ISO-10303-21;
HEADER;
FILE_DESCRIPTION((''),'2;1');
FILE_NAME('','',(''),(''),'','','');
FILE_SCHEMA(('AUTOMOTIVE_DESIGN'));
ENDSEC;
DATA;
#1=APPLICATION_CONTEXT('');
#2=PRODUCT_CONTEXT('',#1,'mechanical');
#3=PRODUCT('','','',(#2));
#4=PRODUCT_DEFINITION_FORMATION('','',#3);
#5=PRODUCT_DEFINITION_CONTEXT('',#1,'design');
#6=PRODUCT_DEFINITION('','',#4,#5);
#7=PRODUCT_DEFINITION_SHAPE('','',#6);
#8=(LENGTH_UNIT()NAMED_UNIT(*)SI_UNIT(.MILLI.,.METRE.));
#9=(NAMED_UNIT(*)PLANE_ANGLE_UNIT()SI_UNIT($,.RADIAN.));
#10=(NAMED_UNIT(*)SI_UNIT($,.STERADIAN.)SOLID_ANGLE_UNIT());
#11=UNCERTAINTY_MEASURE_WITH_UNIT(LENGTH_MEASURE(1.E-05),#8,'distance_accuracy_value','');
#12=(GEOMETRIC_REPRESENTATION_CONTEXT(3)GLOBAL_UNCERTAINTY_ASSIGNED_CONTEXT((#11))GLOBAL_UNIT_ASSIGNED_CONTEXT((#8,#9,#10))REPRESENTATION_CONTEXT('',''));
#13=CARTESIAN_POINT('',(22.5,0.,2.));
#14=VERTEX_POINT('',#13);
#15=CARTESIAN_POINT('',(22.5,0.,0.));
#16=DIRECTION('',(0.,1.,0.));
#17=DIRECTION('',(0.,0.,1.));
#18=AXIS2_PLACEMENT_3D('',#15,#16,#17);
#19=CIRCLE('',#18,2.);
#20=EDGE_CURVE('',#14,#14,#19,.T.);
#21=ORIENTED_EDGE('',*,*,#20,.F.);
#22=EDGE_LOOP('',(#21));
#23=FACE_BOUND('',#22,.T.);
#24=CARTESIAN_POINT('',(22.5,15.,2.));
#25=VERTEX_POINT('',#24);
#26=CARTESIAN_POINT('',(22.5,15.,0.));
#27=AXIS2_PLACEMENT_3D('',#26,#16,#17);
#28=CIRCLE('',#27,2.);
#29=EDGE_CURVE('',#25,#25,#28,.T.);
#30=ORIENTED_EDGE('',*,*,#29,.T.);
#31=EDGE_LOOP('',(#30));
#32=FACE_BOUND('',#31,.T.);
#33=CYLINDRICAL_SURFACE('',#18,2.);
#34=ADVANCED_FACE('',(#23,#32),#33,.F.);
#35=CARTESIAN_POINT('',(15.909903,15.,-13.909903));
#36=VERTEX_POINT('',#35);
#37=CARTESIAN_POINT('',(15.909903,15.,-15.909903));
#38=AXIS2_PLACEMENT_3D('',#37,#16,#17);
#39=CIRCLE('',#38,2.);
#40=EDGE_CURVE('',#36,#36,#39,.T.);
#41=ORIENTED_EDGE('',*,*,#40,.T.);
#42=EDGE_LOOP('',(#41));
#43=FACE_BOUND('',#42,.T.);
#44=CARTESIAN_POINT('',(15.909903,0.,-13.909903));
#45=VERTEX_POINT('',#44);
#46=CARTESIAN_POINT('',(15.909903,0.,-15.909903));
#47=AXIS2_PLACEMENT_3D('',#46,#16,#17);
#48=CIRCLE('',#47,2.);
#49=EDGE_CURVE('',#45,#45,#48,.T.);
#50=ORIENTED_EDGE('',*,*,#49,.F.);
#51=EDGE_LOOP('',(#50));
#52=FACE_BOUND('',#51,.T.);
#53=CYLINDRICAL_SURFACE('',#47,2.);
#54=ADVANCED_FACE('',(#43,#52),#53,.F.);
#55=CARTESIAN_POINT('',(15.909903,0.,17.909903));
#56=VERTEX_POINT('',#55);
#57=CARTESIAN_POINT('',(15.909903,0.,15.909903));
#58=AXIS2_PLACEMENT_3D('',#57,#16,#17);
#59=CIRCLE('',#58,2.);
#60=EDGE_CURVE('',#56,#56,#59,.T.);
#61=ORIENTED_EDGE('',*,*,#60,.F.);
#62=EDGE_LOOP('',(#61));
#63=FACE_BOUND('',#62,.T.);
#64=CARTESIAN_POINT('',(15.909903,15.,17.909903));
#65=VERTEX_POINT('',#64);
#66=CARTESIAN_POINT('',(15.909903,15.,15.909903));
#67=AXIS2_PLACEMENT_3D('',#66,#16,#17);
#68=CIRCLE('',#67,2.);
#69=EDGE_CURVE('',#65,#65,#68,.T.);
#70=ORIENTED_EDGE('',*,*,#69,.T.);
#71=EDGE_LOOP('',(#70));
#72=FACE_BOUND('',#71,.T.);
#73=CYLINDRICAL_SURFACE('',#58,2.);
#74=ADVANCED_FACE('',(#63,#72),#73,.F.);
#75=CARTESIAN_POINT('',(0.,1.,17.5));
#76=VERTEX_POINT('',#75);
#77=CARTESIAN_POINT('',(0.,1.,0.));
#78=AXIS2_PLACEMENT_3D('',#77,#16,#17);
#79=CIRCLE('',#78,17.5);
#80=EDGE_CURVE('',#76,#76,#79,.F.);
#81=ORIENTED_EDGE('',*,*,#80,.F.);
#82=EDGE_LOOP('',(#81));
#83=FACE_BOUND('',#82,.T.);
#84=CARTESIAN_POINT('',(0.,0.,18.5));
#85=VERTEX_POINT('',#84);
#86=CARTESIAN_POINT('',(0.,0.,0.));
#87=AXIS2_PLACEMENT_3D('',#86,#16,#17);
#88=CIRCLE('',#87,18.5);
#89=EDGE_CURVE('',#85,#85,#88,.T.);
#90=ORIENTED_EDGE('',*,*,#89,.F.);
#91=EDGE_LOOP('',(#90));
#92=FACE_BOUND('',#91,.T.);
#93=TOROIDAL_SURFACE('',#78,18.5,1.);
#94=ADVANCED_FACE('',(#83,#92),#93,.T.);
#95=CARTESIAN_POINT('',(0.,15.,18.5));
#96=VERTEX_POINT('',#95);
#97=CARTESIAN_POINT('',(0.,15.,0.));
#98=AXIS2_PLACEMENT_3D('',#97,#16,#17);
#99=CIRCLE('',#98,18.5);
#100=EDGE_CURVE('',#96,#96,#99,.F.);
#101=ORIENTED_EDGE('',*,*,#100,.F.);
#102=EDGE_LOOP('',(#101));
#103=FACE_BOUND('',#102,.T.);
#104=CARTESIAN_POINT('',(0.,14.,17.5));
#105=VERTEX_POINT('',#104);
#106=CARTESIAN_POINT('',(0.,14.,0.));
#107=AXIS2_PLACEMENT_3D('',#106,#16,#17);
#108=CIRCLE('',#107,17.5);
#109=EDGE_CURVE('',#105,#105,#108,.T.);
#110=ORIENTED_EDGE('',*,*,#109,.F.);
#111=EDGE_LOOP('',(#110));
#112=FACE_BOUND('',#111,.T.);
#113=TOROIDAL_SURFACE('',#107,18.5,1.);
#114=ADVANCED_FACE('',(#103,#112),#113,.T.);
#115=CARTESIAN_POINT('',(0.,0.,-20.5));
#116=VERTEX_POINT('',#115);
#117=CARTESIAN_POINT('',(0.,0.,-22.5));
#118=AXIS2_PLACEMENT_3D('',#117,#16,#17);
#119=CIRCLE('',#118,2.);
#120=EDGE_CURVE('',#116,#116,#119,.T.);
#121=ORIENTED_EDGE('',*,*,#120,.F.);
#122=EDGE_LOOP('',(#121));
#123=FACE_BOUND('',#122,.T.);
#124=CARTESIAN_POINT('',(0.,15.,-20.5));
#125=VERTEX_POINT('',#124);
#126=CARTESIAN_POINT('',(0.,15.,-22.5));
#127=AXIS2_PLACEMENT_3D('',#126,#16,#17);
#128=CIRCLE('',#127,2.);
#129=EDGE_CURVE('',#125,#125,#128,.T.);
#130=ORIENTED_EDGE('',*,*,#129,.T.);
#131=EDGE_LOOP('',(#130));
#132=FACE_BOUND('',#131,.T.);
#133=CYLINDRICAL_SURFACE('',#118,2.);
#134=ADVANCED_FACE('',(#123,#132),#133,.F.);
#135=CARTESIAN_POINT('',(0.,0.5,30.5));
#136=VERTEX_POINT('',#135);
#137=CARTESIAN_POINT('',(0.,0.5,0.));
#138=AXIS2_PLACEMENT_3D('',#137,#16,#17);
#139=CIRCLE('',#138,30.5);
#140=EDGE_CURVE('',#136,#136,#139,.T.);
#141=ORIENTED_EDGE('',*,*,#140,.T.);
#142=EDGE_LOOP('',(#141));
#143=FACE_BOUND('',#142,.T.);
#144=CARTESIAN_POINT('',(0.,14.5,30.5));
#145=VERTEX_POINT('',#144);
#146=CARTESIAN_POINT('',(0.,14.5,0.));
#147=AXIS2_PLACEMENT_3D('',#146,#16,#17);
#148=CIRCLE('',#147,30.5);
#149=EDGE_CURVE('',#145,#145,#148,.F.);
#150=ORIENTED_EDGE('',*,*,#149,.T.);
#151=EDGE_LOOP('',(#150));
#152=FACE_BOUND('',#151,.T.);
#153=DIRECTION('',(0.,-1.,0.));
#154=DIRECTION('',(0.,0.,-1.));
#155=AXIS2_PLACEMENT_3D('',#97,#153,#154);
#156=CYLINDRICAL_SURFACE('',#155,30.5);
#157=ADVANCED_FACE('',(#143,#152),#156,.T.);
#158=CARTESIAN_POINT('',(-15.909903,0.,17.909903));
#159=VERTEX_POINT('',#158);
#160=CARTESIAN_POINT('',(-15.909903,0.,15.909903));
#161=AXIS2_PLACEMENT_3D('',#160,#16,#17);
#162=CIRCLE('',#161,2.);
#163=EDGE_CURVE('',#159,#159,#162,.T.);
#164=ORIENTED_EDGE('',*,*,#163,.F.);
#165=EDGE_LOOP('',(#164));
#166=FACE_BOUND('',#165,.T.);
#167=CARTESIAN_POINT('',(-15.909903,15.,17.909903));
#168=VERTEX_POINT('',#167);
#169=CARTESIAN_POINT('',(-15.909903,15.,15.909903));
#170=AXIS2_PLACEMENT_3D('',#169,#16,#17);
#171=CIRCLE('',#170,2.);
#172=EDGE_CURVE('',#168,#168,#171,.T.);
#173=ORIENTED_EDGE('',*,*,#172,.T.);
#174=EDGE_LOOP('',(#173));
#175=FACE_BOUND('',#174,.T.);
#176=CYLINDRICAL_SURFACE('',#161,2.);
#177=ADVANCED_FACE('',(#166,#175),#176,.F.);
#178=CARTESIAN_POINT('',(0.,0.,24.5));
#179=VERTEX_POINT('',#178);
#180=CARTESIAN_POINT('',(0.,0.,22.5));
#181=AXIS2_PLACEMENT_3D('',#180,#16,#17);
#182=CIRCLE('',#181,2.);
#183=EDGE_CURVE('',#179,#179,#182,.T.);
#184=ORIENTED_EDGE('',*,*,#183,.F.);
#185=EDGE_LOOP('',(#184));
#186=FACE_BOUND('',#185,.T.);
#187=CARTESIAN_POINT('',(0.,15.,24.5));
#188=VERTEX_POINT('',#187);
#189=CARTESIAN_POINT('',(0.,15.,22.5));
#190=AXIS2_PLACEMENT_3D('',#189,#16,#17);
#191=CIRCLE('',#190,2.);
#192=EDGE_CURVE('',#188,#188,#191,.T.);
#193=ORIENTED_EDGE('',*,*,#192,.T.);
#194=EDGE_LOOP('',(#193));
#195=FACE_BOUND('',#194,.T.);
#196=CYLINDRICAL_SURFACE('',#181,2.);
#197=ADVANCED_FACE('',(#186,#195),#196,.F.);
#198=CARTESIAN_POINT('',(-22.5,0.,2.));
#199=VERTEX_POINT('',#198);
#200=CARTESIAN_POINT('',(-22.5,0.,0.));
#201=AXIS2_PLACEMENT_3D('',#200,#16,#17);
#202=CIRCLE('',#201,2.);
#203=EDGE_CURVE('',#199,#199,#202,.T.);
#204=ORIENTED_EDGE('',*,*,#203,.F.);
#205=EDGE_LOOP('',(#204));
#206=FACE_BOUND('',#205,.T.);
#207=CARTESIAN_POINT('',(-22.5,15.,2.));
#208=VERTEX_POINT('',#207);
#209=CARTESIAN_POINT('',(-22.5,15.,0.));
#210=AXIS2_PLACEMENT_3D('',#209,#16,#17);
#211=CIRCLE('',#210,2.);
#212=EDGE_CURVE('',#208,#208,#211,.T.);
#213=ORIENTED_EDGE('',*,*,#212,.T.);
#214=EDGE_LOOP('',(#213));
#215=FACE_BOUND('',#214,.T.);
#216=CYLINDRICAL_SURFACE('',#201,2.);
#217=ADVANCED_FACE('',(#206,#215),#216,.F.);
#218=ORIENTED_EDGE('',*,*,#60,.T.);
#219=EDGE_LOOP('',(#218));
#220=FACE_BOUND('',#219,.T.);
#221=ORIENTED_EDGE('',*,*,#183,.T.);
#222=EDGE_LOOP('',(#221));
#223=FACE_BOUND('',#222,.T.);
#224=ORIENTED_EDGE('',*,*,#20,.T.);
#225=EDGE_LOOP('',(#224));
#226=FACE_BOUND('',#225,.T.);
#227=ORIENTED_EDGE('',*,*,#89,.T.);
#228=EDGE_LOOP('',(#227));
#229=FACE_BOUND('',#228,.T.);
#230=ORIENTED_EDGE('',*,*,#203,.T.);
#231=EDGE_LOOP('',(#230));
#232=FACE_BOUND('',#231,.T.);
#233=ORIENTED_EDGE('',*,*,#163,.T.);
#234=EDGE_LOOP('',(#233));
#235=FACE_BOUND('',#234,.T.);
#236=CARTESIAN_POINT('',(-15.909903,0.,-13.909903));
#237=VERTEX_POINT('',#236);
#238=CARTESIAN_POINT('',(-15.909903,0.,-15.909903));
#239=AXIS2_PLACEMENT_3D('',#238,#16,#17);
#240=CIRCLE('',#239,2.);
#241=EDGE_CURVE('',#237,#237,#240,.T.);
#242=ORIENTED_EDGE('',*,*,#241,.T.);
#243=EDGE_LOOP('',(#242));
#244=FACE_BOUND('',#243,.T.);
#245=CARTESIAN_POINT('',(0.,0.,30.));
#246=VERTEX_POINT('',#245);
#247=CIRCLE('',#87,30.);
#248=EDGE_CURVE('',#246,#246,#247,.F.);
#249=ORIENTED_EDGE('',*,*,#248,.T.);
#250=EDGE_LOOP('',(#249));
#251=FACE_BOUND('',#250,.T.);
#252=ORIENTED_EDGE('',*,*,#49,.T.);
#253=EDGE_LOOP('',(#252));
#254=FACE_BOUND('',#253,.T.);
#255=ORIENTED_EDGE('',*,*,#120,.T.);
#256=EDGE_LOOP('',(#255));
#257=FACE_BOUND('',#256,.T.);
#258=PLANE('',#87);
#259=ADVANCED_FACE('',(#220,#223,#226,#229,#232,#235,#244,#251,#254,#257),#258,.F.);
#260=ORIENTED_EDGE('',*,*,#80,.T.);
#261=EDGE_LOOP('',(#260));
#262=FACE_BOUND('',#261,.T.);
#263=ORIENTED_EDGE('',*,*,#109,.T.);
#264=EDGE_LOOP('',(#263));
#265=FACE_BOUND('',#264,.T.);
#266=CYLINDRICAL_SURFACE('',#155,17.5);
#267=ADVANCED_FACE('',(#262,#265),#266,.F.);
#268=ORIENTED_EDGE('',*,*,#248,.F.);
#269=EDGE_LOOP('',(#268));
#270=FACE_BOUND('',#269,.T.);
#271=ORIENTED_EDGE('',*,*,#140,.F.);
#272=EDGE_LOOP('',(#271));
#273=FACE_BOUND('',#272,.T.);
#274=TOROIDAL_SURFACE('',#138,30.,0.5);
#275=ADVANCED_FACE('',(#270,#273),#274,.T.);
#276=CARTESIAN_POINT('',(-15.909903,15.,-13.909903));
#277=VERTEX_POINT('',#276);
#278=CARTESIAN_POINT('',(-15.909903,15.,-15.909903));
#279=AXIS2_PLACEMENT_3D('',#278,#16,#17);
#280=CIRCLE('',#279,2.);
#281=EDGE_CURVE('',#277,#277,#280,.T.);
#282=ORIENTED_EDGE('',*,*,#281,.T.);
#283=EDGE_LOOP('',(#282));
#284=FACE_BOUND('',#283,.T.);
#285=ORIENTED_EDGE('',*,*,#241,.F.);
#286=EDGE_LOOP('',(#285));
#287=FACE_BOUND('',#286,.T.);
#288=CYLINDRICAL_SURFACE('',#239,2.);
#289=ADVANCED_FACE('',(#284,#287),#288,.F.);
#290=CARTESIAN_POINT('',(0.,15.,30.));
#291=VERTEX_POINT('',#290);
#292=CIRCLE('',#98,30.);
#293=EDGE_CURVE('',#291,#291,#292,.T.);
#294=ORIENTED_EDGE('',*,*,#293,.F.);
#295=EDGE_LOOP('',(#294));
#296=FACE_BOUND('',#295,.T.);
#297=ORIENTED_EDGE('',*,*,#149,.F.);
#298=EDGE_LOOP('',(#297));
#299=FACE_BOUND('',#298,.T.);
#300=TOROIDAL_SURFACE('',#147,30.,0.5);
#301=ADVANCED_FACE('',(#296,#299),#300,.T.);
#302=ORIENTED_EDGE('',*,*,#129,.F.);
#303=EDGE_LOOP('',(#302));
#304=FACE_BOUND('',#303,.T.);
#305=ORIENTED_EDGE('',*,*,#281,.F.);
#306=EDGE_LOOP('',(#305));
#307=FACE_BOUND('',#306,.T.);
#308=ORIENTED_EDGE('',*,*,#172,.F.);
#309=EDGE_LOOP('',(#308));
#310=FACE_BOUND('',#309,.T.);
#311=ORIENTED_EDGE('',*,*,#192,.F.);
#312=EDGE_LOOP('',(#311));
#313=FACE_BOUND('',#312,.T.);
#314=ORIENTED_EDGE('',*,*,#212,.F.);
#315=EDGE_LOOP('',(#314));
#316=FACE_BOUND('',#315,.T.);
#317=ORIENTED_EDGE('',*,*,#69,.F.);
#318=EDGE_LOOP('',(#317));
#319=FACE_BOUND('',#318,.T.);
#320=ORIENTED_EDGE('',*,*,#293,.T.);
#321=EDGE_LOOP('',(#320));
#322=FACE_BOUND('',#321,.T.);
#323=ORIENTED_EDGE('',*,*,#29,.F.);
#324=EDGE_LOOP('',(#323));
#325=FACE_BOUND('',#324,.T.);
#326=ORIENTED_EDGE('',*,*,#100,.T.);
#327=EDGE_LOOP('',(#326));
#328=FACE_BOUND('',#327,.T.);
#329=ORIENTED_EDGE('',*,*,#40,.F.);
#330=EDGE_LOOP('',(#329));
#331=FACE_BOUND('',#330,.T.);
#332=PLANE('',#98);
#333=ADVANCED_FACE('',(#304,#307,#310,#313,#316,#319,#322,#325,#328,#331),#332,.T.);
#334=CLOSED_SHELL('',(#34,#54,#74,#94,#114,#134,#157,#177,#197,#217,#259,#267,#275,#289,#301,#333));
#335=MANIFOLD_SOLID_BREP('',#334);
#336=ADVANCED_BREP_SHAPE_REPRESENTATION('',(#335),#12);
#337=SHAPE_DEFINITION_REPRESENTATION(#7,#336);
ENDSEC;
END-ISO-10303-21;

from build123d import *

# Parameters (mm, degrees)
SKETCH1_R           = 30.5
SKETCH1_R_2         = 17.5
BOSS_EXTRUDE1_DEPTH = 15
SKETCH2_R           = 2
CUT_EXTRUDE1_DEPTH  = 15
FILLET1_R           = 1
FILLET2_R           = 0.5


with BuildPart() as part:
    # Sketch1 → Boss-Extrude1 (new body)
    with BuildSketch(Plane(origin=(0, 0, 0), x_dir=(1, 0, 0), z_dir=(0, 1, 0))):
        with Locations(Location((0, 0, 0), (0, 0, 270))):
            Circle(SKETCH1_R)
        with Locations(Location((0, 0, 0), (0, 0, 270))):
            Circle(SKETCH1_R_2, mode=Mode.SUBTRACT)
    extrude(amount=BOSS_EXTRUDE1_DEPTH)

    # Sketch2 → Cut-Extrude1 (cut)
    with BuildSketch(Plane(origin=(0, 15, 0), x_dir=(1, 0, 0), z_dir=(0, 1, 0))):
        with Locations(Location((0, 22.5, 0), (0, 0, 270))):
            Circle(SKETCH2_R)
        with Locations(Location((15.909902577, 15.909902577, 0), (0, 0, 270))):
            Circle(SKETCH2_R)
        with Locations(Location((22.5, 0, 0), (0, 0, 270))):
            Circle(SKETCH2_R)
        with Locations(Location((15.909902577, -15.909902577, 0), (0, 0, 270))):
            Circle(SKETCH2_R)
        with Locations(Location((0, -22.5, 0), (0, 0, 270))):
            Circle(SKETCH2_R)
        with Locations(Location((-15.909902577, -15.909902577, 0), (0, 0, 270))):
            Circle(SKETCH2_R)
        with Locations(Location((-22.5, 0, 0), (0, 0, 270))):
            Circle(SKETCH2_R)
        with Locations(Location((-15.909902577, 15.909902577, 0), (0, 0, 270))):
            Circle(SKETCH2_R)
    extrude(amount=-CUT_EXTRUDE1_DEPTH, mode=Mode.SUBTRACT)

    # Fillet1
    fillet1_edges = [part.edges().sort_by_distance(p)[0] for p in [
        (0, 0, -17.5),
        (0, 15, -17.5),
    ]]
    fillet(fillet1_edges, radius=FILLET1_R)

    # Fillet2
    fillet2_edges = [part.edges().sort_by_distance(p)[0] for p in [
        (0, 0, -30.5),
        (0, 15, -30.5),
    ]]
    fillet(fillet2_edges, radius=FILLET2_R)


solid = part.part
